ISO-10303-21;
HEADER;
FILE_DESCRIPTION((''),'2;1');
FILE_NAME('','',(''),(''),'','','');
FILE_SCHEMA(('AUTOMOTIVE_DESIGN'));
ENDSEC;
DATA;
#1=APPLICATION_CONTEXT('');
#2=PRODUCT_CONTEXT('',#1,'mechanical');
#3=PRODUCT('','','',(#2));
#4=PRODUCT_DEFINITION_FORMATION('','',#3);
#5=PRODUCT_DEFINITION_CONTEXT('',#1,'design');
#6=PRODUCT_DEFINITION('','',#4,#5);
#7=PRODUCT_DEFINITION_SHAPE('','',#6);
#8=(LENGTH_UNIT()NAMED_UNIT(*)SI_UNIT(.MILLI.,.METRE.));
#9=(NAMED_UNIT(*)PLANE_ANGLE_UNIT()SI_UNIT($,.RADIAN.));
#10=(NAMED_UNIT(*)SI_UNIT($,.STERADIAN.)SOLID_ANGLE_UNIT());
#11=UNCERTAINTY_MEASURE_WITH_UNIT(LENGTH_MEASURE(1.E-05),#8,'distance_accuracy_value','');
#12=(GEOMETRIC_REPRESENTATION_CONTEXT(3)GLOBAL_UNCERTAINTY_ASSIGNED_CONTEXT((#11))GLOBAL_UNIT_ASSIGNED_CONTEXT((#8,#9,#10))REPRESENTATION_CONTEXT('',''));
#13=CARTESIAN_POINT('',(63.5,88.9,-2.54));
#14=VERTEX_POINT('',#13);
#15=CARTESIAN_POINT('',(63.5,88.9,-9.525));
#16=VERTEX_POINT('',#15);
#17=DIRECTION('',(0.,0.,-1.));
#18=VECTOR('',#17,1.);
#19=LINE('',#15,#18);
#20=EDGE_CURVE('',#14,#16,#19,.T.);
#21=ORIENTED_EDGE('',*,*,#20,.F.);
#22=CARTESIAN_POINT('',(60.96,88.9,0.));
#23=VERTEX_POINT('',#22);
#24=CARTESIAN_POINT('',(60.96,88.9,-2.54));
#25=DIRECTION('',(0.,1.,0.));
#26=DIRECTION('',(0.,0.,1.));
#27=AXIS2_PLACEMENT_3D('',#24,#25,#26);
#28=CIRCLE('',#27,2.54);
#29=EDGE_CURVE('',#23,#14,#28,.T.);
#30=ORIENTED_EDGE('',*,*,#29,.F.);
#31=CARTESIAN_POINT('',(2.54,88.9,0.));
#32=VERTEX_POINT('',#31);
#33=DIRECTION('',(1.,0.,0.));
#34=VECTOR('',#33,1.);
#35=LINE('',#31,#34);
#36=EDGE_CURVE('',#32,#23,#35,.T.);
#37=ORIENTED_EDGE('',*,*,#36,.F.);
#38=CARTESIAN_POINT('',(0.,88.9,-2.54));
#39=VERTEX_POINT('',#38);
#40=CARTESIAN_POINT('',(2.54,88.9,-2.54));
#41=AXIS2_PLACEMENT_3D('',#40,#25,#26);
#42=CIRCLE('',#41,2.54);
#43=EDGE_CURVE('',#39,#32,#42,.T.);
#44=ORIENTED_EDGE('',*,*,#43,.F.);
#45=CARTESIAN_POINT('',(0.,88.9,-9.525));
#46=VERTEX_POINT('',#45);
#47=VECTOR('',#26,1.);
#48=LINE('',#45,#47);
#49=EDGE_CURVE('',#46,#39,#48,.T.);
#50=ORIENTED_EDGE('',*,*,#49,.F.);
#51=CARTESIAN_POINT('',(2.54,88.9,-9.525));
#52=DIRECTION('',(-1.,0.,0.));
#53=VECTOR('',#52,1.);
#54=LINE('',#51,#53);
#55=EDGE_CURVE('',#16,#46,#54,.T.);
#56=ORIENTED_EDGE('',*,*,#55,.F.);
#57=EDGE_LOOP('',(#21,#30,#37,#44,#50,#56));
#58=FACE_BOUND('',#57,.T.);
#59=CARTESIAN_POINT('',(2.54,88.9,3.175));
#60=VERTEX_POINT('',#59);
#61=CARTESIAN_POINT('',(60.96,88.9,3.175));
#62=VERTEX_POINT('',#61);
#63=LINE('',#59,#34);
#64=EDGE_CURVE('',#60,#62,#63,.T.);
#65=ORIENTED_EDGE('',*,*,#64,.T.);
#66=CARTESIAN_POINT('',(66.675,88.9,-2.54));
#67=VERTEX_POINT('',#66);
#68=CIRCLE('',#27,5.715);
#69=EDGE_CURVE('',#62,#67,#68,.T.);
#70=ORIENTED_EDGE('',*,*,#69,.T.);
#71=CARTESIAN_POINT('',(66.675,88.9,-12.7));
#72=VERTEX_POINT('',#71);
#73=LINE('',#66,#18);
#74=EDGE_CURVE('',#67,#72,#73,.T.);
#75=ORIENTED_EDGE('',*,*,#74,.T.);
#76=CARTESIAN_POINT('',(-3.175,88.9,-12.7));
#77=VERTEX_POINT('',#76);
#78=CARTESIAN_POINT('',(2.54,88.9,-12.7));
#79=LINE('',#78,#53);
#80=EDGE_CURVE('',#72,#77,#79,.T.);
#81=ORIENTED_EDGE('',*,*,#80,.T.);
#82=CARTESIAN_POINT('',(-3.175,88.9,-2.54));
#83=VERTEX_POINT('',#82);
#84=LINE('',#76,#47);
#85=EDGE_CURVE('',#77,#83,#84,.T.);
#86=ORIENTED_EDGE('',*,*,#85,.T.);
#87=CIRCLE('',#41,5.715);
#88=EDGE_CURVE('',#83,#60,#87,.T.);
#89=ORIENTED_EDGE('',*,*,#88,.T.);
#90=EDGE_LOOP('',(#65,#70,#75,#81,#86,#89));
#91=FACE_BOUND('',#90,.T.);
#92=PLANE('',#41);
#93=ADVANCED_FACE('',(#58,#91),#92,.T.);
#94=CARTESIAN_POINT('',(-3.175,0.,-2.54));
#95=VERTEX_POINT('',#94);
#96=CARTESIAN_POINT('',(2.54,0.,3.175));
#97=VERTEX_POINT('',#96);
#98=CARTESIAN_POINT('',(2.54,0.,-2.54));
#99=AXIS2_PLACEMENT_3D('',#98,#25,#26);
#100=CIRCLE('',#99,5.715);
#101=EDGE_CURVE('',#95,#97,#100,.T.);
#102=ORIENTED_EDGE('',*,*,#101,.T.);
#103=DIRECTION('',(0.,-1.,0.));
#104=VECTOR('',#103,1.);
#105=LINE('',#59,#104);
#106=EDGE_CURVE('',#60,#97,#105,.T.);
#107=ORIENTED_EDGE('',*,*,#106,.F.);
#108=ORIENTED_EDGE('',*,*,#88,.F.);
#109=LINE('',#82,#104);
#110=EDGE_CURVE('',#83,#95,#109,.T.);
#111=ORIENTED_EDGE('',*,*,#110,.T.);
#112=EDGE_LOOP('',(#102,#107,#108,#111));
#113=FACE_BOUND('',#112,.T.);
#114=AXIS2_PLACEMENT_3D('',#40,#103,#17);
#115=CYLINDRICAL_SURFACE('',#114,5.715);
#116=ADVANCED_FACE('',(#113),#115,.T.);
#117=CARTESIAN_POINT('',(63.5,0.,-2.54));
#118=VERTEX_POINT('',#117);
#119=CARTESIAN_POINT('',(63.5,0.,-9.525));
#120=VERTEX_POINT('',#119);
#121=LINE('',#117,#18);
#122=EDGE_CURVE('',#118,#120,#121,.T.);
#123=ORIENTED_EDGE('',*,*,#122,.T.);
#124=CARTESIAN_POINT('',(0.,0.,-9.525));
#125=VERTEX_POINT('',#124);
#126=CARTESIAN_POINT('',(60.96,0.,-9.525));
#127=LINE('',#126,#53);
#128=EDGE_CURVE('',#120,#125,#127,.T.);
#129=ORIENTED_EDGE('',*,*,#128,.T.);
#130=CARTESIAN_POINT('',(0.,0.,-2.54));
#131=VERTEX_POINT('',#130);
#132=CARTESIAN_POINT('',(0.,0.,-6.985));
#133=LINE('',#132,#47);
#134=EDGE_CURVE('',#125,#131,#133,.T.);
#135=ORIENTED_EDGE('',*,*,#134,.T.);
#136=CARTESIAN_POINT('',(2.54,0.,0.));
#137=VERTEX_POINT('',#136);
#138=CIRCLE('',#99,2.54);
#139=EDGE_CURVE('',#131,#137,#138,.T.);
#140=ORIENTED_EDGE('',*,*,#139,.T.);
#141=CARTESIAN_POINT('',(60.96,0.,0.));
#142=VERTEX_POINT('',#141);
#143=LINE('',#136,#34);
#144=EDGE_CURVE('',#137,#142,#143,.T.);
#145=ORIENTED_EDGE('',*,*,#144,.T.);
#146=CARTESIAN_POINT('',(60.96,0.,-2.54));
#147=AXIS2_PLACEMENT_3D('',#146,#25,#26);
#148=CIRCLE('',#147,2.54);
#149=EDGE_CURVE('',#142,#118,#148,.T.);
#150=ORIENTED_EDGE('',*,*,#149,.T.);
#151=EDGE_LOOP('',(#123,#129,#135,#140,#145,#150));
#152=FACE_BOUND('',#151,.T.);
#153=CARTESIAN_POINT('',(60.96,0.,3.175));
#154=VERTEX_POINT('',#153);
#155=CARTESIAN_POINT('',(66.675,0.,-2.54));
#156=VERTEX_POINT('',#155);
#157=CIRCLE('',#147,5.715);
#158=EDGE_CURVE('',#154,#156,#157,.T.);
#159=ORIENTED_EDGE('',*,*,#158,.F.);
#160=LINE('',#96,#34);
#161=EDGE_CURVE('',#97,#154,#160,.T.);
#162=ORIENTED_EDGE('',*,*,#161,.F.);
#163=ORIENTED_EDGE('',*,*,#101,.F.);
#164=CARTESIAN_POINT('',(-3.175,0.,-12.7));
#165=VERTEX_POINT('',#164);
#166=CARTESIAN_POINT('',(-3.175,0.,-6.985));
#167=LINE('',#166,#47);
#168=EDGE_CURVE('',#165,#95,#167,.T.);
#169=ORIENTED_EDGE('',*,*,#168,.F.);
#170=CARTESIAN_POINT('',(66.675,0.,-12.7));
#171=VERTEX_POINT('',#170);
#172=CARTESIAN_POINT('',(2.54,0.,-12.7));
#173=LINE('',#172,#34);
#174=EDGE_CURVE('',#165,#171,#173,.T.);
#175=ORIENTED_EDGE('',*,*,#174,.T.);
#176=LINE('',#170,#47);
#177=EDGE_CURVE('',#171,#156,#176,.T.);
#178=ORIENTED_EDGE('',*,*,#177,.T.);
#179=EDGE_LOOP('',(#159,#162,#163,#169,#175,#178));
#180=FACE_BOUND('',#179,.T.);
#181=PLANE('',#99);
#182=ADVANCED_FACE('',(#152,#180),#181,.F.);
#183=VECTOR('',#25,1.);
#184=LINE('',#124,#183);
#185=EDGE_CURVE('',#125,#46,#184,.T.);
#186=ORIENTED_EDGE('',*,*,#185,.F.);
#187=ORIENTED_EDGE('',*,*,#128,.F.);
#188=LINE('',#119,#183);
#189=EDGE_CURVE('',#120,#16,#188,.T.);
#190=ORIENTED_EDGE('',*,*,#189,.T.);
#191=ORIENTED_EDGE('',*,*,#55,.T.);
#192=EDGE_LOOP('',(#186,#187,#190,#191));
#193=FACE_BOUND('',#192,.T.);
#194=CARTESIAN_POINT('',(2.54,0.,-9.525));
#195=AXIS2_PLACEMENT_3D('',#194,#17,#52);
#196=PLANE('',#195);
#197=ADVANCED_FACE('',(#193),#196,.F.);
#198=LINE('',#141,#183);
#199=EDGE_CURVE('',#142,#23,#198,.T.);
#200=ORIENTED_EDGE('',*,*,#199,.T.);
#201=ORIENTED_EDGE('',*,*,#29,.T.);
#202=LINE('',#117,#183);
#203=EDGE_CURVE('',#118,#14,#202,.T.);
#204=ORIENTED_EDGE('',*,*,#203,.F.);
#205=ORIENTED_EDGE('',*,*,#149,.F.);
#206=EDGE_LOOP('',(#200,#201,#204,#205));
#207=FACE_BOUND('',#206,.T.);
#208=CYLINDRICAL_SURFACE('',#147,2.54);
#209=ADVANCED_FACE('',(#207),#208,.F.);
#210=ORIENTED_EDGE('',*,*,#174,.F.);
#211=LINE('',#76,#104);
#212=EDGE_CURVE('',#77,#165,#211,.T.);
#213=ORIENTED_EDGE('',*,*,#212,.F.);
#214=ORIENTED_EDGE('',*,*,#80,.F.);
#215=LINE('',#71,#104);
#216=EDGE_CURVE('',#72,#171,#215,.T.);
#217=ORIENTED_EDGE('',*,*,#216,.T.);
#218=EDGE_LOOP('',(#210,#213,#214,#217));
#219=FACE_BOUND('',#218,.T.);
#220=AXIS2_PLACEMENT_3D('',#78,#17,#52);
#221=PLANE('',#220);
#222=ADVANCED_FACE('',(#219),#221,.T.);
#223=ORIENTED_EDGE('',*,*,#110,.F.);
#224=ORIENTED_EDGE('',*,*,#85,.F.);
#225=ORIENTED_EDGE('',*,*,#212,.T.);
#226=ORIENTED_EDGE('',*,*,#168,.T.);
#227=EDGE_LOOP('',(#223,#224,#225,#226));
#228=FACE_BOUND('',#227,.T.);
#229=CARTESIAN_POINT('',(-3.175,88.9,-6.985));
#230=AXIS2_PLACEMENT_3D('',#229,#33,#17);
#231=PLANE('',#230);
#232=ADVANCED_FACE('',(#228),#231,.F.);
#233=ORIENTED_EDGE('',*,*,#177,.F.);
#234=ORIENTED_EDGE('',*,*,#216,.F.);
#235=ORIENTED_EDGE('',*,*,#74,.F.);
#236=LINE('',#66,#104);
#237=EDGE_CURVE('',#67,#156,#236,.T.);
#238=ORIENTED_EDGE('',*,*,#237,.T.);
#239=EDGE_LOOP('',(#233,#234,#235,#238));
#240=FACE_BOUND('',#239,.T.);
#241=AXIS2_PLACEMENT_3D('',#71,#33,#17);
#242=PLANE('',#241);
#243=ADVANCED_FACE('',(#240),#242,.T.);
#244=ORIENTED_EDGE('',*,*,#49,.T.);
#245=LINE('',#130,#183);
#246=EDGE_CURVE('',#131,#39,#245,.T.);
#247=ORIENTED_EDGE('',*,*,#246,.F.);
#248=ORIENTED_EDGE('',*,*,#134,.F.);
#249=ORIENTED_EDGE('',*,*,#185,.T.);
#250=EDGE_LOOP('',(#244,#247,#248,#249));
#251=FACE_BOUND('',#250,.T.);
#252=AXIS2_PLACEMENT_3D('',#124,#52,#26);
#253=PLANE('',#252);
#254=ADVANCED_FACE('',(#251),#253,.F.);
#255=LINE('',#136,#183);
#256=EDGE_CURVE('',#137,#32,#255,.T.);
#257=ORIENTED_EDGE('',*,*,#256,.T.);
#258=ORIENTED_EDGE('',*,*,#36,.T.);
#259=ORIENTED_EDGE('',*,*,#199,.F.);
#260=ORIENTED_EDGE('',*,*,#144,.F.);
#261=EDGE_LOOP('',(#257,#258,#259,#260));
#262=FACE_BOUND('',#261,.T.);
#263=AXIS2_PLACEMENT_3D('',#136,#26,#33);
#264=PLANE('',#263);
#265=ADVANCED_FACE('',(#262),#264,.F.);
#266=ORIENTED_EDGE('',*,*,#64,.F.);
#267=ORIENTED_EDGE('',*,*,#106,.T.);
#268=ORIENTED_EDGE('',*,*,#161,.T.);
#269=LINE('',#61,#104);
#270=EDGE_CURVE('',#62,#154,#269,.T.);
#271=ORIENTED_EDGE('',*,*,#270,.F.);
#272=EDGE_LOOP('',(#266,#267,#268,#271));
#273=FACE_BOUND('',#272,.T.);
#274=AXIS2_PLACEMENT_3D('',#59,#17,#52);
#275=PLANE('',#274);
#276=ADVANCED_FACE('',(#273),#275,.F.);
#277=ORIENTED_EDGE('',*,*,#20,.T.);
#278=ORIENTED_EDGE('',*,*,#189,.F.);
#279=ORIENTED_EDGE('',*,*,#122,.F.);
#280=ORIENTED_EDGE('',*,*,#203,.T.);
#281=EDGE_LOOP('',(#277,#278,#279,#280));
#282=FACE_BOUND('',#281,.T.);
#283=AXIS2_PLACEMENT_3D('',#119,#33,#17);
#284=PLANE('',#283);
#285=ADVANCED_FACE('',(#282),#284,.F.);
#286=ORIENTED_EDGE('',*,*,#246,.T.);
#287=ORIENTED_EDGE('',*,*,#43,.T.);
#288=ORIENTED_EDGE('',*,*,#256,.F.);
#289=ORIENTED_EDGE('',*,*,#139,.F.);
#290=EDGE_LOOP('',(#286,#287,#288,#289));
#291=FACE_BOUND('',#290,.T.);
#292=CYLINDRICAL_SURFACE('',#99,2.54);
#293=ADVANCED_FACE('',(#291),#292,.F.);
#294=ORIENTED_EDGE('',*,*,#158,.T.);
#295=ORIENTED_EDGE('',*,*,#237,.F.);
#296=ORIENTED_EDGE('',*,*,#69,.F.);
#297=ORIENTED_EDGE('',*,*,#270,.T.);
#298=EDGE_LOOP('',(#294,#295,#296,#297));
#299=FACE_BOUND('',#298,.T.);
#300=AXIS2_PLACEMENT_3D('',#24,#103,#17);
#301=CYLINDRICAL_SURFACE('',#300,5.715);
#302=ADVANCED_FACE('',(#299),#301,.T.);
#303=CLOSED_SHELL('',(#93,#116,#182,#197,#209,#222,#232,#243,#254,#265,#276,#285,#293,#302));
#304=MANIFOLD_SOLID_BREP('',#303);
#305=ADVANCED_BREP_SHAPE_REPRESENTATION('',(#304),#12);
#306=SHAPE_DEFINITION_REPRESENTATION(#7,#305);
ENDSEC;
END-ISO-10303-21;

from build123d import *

# Parameters (mm, degrees)
BOSS_EXTRUDE1_DEPTH = 88.9
CUT_EXTRUDE1_DEPTH  = 88.9


with BuildPart() as part:
    # Sketch1 → Boss-Extrude1 (new body)
    with BuildSketch(Plane(origin=(0, 0, 0), x_dir=(1, 0, 0), z_dir=(0, 1, 0))):
        with BuildLine():
            Line((-3.175, 6.985), (-3.175, 2.54))
            ThreePointArc((-3.175, 2.54), (-1.501115254, -1.501115254), (2.54, -3.175))
            Line((2.54, -3.175), (60.96, -3.175))
            ThreePointArc((60.96, -3.175), (65.001115254, -1.501115254), (66.675, 2.54))
            Line((66.675, 2.54), (66.675, 6.985))
            Line((66.675, 6.985), (66.675, 12.7))
            Line((66.675, 12.7), (60.96, 12.7))
            Line((60.96, 12.7), (2.54, 12.7))
            Line((2.54, 12.7), (-3.175, 12.7))
            Line((-3.175, 12.7), (-3.175, 6.985))
        make_face()
    extrude(amount=BOSS_EXTRUDE1_DEPTH)

    # Sketch2 → Cut-Extrude1 (cut)
    with BuildSketch(Plane(origin=(0, 88.9, 0), x_dir=(1, 0, 0), z_dir=(0, 1, 0))):
        with BuildLine():
            Line((2.54, 9.525), (0, 9.525))
            Line((0, 9.525), (0, 6.985))
            Line((0, 6.985), (0, 2.54))
            ThreePointArc((0, 2.54), (0.743948776, 0.743948776), (2.54, 0))
            Line((2.54, 0), (60.96, 0))
            ThreePointArc((60.96, 0), (62.756051224, 0.743948776), (63.5, 2.54))
            Line((63.5, 2.54), (63.5, 6.985))
            Line((63.5, 6.985), (63.5, 9.525))
            Line((63.5, 9.525), (60.96, 9.525))
            Line((60.96, 9.525), (2.54, 9.525))
        make_face()
    extrude(amount=-CUT_EXTRUDE1_DEPTH, mode=Mode.SUBTRACT)


solid = part.part
